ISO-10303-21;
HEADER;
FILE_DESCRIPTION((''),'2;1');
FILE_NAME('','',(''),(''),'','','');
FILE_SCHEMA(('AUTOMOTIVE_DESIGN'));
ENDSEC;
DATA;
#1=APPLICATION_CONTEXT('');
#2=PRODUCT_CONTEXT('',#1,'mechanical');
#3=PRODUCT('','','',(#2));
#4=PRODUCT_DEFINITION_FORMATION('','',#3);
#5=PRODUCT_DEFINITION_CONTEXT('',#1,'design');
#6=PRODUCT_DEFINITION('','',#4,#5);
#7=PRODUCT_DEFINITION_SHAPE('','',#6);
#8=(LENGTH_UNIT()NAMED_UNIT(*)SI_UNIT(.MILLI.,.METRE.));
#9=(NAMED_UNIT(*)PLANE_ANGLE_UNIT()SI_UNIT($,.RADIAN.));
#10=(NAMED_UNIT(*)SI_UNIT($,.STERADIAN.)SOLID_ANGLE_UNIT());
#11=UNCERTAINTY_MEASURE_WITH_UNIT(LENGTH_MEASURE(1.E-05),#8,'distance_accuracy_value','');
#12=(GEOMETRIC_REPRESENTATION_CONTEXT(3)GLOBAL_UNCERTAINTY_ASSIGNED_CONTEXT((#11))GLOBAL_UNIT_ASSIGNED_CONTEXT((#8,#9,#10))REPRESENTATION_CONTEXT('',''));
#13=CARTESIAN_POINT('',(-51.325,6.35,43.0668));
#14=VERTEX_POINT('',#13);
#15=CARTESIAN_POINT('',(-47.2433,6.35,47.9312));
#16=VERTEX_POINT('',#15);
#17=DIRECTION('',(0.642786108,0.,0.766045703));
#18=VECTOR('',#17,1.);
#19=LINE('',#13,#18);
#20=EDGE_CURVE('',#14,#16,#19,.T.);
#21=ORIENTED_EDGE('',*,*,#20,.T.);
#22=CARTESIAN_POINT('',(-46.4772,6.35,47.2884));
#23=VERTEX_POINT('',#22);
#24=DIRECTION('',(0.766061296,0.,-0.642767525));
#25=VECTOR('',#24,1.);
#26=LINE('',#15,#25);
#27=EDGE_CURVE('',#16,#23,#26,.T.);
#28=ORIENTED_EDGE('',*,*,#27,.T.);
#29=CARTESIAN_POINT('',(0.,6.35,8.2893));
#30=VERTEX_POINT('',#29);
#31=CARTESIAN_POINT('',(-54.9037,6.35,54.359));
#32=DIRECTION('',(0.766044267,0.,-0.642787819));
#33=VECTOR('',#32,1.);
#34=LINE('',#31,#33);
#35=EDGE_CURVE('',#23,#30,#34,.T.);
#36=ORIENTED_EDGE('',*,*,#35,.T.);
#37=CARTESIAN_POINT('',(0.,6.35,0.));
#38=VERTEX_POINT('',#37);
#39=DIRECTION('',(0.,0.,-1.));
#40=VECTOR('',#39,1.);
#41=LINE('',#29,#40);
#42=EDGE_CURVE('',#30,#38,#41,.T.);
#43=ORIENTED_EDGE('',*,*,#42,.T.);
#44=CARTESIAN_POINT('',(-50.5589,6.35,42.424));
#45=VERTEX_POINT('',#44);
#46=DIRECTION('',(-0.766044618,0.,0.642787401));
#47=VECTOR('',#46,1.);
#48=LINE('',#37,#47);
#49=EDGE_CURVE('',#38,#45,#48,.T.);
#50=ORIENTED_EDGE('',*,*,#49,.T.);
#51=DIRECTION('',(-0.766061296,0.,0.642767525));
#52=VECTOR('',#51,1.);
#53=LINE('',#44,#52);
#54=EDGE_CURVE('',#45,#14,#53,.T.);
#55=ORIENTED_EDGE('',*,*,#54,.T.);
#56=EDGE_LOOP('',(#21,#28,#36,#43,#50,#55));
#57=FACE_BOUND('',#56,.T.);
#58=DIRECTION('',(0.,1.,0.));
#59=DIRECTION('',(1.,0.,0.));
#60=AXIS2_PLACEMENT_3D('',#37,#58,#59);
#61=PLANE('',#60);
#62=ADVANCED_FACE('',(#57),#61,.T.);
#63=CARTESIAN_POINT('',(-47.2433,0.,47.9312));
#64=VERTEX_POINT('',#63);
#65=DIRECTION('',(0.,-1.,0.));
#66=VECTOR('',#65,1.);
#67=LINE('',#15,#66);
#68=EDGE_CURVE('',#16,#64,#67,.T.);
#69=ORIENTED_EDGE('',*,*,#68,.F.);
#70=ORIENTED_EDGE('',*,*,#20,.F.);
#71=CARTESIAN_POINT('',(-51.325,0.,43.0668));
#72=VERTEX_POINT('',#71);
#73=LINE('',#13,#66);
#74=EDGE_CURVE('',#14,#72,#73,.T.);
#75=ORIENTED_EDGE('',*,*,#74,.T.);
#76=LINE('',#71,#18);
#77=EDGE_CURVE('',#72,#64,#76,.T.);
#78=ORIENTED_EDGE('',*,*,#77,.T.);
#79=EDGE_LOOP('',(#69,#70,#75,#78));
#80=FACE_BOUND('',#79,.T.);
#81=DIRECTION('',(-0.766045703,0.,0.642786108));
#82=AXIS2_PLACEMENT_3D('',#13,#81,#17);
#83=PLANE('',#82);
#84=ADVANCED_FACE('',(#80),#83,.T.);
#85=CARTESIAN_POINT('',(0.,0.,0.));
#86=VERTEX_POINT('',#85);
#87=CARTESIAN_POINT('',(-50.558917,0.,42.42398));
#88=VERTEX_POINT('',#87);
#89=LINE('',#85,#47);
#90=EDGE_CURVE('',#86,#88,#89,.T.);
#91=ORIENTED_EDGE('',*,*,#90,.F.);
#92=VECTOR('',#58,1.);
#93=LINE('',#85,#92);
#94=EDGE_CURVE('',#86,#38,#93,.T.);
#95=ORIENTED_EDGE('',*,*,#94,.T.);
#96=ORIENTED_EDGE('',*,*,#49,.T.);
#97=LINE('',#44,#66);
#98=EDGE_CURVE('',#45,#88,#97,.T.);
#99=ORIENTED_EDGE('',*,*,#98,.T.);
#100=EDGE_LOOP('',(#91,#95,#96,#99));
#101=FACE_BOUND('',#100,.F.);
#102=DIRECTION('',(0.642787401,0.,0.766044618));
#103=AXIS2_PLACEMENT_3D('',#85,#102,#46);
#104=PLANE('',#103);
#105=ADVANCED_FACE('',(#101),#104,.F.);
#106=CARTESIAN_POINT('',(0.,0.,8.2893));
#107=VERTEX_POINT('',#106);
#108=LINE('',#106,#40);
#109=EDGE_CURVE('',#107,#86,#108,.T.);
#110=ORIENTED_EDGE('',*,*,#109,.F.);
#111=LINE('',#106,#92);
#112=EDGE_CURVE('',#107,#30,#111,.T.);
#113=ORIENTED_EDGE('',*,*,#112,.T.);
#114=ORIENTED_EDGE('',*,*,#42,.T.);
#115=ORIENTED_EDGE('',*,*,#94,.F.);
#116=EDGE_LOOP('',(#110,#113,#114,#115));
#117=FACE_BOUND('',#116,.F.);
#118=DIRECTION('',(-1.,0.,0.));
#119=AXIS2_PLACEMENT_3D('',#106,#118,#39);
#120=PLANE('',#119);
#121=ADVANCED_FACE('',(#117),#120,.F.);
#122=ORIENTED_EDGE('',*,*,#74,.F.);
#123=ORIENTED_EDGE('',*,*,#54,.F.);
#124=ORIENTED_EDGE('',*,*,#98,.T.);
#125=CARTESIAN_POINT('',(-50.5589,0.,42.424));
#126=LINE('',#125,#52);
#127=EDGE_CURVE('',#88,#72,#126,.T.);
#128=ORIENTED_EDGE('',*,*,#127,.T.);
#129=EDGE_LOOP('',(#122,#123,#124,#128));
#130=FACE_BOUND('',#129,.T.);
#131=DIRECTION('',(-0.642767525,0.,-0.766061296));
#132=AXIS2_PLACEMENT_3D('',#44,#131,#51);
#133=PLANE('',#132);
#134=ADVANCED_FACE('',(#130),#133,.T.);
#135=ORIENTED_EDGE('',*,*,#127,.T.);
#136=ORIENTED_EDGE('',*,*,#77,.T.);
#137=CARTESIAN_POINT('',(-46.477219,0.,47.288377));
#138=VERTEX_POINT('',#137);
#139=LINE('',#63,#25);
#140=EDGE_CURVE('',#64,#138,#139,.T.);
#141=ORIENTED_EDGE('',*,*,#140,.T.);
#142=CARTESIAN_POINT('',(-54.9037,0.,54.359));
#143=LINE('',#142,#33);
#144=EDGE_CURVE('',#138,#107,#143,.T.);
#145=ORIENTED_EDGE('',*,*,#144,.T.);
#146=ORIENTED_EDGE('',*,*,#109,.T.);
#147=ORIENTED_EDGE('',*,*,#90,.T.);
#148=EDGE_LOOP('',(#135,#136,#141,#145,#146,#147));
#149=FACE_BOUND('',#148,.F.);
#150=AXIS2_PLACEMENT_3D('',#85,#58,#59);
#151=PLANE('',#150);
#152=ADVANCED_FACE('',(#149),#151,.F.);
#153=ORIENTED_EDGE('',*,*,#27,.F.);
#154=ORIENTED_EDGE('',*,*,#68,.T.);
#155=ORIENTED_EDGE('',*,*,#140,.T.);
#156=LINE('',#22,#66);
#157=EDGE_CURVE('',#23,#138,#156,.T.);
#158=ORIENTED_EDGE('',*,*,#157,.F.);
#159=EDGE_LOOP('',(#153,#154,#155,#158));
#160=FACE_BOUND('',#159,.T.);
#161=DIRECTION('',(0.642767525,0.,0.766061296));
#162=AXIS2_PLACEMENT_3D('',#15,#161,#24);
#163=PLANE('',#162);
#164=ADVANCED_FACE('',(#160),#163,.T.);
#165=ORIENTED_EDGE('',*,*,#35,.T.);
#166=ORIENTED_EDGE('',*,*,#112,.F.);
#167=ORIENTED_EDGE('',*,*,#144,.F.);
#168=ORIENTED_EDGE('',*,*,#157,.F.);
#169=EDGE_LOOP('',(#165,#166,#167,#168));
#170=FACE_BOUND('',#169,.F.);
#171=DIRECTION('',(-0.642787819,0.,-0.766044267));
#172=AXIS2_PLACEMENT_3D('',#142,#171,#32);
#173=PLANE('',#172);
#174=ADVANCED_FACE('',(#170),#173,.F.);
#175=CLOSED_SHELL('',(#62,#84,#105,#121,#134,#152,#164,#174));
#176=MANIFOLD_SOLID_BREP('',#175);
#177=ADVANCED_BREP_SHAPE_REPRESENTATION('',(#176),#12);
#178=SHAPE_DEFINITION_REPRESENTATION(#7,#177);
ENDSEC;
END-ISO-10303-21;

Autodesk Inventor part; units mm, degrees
ref_plane "YZ Plane" through (0, 0, 0) normal (1, 0, 0) x (0, 1, 0)
ref_plane "XZ Plane" through (0, 0, 0) normal (0, 1, 0) x (-1, 0, 0)
ref_plane "XY Plane" through (0, 0, 0) normal (0, 0, 1) x (1, 0, 0)
sketch "Sketch1" plane through (0, 0, 0) normal (0, 1, 0) x (-1, 0, 0)
  line L0 (0, 0) -> (58.9854, 49.4946)
  line L1 (0, 0) -> (77, 0) construction
  line L2 (58.9854, 49.4946) -> (54.9037, 54.359)
  line L3 (54.9037, 54.359) -> (0, 8.2893)
  line L4 (0, 8.2893) -> (0, 0)
  dimension "d0" = 77
  dimension "d1" = 40
  dimension "d2" = 6.35
extrude "Extrusion1" add sketch "Sketch1" along normal blind 6.35
sketch "Sketch2" plane through (0, 6.35, 0) normal (0, 1, 0) x (1, 0, 0)
  line L0 (-58.9854, -49.4946) -> (-54.9037, -54.359) projected
  line L1 (-54.9037, -54.359) -> (-58.9854, -49.4946)
  line L2 (-58.9854, -49.4946) -> (-53.6231, -44.9951)
  line L3 (0, 0) -> (-58.9854, -49.4946) projected
  line L4 (-54.9037, -54.359) -> (0, -8.2893) projected
  line L5 (-49.5414, -49.8595) -> (-54.9037, -54.359)
  line L6 (-49.5414, -49.8595) -> (-46.4772, -47.2884)
  line L7 (-46.4772, -47.2884) -> (-50.5589, -42.424)
  line L8 (-50.5589, -42.424) -> (-58.9854, -49.4946)
  dimension "d5" = 7
  dimension "d6" = 4
extrude "Extrusion2" cut sketch "Sketch2" against normal blind 10
sketch "Sketch3" plane through (0, 6.35, 0) normal (0, 1, 0) x (1, 0, 0)
  line L0 (0, 0) -> (-50.5589, -42.424) projected
  line L1 (-50.5589, -42.424) -> (-51.325, -43.0668)
  line L2 (-51.325, -43.0668) -> (-47.2433, -47.9312)
  line L3 (-46.4772, -47.2884) -> (0, -8.2893) projected
  line L4 (-47.2433, -47.9312) -> (-46.4772, -47.2884)
  line L5 (-46.4772, -47.2884) -> (-50.5589, -42.424)
  dimension "d9" = 1
  dimension "d10" = 6.35
extrude "Extrusion3" add sketch "Sketch3" against normal blind 6.35
properties part number "2ndFloorOAngle"
